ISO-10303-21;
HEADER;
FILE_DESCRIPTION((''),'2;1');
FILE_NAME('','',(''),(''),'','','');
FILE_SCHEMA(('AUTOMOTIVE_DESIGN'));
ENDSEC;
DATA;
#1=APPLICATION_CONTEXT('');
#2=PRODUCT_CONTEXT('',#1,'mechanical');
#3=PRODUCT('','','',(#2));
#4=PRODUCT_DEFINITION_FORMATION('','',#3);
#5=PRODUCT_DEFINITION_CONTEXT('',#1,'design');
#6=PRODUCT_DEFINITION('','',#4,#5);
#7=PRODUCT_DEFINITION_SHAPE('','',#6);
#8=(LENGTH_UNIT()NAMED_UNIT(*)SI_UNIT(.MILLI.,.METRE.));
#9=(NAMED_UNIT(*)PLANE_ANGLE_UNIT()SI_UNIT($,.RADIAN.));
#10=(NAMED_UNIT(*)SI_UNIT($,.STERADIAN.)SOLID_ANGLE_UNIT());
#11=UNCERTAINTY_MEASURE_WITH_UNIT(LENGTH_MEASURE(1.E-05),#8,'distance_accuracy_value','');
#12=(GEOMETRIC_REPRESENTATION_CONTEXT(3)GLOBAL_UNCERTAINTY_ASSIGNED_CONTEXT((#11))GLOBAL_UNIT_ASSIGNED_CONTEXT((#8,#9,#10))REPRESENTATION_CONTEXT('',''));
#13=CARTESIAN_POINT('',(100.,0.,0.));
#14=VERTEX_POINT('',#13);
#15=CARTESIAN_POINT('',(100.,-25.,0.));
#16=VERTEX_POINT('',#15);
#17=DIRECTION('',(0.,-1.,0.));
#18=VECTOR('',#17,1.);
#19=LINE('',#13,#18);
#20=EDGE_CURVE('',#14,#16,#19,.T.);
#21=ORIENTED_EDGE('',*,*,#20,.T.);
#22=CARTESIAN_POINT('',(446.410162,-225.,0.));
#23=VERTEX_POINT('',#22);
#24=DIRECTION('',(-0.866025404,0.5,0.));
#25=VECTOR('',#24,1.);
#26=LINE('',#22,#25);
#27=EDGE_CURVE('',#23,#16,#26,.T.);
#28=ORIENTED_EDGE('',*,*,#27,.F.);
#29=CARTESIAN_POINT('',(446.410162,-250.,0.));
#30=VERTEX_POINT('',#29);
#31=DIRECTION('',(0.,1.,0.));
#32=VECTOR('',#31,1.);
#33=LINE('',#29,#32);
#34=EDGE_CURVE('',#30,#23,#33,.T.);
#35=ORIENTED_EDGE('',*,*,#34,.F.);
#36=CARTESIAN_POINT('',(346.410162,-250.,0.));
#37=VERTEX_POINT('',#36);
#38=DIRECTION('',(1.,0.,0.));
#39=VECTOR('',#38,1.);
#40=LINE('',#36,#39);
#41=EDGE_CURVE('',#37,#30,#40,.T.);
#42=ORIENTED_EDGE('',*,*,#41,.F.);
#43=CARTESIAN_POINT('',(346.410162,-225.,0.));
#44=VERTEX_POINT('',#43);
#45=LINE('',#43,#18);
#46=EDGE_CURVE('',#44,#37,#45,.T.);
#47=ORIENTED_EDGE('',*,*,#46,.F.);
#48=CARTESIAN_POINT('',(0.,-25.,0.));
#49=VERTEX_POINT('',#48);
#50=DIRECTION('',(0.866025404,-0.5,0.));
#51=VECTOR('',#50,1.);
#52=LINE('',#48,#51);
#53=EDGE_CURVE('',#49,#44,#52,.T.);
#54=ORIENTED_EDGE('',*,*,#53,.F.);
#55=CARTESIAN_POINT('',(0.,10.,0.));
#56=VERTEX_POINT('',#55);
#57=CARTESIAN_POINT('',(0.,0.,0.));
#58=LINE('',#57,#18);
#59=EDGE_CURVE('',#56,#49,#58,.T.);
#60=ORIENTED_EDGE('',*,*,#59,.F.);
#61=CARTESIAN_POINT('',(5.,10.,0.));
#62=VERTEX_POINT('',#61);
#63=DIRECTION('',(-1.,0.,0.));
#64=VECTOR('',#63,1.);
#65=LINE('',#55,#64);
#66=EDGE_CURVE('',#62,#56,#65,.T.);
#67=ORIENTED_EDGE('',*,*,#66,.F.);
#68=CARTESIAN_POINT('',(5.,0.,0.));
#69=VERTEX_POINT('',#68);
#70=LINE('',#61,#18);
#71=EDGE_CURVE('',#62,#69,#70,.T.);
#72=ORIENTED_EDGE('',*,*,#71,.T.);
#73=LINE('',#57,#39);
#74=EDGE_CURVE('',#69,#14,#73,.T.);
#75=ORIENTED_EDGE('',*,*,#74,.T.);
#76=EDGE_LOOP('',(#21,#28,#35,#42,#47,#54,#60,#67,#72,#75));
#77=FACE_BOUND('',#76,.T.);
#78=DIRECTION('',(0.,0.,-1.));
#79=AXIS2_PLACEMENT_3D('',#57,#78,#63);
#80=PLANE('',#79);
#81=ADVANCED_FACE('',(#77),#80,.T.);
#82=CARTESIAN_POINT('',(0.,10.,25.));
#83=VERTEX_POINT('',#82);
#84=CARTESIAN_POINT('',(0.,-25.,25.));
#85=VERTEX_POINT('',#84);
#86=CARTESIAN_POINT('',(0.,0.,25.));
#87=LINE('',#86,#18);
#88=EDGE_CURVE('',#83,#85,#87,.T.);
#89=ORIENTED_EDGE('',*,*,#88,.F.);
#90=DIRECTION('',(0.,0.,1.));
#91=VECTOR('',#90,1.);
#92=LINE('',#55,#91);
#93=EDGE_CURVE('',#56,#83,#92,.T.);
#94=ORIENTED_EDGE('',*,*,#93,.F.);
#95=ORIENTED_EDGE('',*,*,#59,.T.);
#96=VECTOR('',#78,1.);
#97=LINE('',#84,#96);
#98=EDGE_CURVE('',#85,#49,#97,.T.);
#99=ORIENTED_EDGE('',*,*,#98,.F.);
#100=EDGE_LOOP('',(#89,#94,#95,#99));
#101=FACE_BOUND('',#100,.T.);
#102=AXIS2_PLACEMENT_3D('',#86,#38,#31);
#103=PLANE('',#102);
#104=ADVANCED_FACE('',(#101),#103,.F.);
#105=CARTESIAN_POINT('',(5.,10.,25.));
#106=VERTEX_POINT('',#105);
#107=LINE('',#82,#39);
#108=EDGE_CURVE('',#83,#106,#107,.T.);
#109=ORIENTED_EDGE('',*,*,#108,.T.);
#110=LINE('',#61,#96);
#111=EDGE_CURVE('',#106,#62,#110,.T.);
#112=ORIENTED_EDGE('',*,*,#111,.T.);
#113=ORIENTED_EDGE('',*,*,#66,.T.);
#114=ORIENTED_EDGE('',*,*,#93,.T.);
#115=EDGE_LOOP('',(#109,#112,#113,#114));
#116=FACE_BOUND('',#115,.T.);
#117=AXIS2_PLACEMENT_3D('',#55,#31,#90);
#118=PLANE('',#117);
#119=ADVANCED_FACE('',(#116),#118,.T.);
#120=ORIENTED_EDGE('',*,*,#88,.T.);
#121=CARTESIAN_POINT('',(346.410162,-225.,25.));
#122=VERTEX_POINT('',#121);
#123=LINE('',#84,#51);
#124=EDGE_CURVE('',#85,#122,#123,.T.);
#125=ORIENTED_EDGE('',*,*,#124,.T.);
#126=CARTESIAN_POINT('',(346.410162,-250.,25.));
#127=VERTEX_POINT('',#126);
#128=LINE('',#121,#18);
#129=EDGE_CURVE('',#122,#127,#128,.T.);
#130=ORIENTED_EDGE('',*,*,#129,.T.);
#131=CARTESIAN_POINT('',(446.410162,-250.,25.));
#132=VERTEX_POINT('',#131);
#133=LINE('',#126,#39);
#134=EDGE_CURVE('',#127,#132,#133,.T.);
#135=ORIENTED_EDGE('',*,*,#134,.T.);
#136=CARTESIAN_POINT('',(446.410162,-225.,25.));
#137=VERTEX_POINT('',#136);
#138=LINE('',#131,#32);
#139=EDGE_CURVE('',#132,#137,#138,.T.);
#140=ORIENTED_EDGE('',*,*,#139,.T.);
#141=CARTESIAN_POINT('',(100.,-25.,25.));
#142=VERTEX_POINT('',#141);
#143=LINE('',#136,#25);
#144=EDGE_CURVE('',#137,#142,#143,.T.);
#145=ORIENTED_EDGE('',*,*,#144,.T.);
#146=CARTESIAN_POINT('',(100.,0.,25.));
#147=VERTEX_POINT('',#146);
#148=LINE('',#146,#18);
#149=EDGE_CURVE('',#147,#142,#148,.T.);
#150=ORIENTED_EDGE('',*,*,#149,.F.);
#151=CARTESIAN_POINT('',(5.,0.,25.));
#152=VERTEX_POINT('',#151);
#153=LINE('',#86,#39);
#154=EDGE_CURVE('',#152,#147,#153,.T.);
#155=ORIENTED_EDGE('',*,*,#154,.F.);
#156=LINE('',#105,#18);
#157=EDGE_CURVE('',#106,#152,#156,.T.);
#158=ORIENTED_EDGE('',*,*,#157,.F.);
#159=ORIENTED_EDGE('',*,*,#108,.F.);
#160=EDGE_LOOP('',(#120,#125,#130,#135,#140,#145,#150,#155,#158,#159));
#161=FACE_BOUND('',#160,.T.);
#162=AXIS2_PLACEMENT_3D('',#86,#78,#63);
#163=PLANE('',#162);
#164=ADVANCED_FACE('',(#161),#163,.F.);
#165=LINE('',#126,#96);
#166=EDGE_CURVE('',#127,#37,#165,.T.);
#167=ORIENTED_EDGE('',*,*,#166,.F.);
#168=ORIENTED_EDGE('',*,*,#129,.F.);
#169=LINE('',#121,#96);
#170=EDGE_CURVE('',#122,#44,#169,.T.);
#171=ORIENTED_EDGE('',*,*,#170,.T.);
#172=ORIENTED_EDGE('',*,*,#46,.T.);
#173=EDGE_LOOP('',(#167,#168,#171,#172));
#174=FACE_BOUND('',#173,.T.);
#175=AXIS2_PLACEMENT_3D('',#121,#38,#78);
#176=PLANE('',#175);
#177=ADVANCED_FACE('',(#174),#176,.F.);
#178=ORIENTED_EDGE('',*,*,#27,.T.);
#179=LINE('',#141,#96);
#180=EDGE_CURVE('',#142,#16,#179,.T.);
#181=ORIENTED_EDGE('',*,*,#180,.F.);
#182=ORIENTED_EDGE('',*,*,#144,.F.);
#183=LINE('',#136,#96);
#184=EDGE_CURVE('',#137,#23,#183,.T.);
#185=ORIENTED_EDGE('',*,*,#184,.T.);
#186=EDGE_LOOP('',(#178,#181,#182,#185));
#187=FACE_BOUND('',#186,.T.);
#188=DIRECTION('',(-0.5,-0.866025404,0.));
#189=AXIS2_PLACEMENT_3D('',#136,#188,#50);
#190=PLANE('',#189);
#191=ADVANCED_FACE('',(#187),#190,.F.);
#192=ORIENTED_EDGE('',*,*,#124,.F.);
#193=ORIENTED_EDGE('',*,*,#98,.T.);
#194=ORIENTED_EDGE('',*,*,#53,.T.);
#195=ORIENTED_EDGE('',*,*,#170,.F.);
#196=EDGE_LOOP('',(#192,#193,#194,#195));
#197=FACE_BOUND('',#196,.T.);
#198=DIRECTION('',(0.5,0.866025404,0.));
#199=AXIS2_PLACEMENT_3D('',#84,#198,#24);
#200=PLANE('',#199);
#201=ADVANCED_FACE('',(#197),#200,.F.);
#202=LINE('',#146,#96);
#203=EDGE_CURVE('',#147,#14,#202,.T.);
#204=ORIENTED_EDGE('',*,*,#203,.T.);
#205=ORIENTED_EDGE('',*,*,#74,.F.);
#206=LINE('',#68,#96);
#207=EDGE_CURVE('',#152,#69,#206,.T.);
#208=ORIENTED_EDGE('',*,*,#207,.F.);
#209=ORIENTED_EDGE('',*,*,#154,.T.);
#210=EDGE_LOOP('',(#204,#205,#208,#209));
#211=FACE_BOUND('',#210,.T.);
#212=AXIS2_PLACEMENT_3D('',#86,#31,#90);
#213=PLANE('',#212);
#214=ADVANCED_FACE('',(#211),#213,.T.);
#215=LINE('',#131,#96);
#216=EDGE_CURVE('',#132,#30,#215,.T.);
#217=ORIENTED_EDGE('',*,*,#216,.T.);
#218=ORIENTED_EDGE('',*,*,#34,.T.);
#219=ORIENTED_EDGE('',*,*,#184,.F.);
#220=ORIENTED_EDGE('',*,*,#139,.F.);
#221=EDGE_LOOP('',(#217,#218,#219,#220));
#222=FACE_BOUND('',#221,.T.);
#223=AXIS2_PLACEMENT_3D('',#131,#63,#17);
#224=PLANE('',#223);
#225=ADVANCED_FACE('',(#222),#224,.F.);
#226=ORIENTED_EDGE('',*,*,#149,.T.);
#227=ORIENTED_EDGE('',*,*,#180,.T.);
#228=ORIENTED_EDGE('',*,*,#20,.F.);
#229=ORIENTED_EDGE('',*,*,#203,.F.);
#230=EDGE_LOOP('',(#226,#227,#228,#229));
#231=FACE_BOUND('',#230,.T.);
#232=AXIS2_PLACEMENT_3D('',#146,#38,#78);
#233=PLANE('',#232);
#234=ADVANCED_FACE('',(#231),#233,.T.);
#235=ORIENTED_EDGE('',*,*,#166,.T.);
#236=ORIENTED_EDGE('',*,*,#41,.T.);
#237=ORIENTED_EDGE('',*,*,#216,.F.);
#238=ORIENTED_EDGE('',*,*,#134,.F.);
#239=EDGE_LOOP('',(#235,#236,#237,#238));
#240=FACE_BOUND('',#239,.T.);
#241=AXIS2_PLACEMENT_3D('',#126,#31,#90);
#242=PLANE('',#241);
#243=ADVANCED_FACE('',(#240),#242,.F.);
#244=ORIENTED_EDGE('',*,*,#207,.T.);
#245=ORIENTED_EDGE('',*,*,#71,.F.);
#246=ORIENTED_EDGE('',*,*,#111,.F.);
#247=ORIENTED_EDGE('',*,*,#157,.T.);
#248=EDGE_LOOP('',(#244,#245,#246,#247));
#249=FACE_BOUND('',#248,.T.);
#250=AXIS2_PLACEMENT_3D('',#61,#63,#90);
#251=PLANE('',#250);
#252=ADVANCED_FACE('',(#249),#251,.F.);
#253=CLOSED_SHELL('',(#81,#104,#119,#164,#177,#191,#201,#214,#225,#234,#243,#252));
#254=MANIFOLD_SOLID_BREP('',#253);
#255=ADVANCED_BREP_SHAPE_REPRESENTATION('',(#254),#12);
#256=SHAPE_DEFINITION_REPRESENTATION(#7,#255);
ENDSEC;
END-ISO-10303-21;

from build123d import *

# Parameters (mm, degrees)
BOSS_EXTRUDE1_DEPTH = 25
SKETCH2_W           = 5
SKETCH2_H           = 25
BOSS_EXTRUDE2_DEPTH = 10


with BuildPart() as part:
    # Sketch1 → Boss-Extrude1 (new body)
    with BuildSketch(Plane.XY):
        Polygon((0, 0), (100, 0), (100, -25), (446.410161514, -225), (446.410161514, -250), (346.410161514, -250), (346.410161514, -225), (0, -25), align=None)
    extrude(amount=BOSS_EXTRUDE1_DEPTH)

    # Sketch2 → Boss-Extrude2 (add)
    with BuildSketch(Plane(origin=(0, 0, 0), x_dir=(1, 0, 0), z_dir=(0, 1, 0))):
        with Locations((2.5, -12.5)):
            Rectangle(SKETCH2_W, SKETCH2_H)
    extrude(amount=BOSS_EXTRUDE2_DEPTH)


solid = part.part
